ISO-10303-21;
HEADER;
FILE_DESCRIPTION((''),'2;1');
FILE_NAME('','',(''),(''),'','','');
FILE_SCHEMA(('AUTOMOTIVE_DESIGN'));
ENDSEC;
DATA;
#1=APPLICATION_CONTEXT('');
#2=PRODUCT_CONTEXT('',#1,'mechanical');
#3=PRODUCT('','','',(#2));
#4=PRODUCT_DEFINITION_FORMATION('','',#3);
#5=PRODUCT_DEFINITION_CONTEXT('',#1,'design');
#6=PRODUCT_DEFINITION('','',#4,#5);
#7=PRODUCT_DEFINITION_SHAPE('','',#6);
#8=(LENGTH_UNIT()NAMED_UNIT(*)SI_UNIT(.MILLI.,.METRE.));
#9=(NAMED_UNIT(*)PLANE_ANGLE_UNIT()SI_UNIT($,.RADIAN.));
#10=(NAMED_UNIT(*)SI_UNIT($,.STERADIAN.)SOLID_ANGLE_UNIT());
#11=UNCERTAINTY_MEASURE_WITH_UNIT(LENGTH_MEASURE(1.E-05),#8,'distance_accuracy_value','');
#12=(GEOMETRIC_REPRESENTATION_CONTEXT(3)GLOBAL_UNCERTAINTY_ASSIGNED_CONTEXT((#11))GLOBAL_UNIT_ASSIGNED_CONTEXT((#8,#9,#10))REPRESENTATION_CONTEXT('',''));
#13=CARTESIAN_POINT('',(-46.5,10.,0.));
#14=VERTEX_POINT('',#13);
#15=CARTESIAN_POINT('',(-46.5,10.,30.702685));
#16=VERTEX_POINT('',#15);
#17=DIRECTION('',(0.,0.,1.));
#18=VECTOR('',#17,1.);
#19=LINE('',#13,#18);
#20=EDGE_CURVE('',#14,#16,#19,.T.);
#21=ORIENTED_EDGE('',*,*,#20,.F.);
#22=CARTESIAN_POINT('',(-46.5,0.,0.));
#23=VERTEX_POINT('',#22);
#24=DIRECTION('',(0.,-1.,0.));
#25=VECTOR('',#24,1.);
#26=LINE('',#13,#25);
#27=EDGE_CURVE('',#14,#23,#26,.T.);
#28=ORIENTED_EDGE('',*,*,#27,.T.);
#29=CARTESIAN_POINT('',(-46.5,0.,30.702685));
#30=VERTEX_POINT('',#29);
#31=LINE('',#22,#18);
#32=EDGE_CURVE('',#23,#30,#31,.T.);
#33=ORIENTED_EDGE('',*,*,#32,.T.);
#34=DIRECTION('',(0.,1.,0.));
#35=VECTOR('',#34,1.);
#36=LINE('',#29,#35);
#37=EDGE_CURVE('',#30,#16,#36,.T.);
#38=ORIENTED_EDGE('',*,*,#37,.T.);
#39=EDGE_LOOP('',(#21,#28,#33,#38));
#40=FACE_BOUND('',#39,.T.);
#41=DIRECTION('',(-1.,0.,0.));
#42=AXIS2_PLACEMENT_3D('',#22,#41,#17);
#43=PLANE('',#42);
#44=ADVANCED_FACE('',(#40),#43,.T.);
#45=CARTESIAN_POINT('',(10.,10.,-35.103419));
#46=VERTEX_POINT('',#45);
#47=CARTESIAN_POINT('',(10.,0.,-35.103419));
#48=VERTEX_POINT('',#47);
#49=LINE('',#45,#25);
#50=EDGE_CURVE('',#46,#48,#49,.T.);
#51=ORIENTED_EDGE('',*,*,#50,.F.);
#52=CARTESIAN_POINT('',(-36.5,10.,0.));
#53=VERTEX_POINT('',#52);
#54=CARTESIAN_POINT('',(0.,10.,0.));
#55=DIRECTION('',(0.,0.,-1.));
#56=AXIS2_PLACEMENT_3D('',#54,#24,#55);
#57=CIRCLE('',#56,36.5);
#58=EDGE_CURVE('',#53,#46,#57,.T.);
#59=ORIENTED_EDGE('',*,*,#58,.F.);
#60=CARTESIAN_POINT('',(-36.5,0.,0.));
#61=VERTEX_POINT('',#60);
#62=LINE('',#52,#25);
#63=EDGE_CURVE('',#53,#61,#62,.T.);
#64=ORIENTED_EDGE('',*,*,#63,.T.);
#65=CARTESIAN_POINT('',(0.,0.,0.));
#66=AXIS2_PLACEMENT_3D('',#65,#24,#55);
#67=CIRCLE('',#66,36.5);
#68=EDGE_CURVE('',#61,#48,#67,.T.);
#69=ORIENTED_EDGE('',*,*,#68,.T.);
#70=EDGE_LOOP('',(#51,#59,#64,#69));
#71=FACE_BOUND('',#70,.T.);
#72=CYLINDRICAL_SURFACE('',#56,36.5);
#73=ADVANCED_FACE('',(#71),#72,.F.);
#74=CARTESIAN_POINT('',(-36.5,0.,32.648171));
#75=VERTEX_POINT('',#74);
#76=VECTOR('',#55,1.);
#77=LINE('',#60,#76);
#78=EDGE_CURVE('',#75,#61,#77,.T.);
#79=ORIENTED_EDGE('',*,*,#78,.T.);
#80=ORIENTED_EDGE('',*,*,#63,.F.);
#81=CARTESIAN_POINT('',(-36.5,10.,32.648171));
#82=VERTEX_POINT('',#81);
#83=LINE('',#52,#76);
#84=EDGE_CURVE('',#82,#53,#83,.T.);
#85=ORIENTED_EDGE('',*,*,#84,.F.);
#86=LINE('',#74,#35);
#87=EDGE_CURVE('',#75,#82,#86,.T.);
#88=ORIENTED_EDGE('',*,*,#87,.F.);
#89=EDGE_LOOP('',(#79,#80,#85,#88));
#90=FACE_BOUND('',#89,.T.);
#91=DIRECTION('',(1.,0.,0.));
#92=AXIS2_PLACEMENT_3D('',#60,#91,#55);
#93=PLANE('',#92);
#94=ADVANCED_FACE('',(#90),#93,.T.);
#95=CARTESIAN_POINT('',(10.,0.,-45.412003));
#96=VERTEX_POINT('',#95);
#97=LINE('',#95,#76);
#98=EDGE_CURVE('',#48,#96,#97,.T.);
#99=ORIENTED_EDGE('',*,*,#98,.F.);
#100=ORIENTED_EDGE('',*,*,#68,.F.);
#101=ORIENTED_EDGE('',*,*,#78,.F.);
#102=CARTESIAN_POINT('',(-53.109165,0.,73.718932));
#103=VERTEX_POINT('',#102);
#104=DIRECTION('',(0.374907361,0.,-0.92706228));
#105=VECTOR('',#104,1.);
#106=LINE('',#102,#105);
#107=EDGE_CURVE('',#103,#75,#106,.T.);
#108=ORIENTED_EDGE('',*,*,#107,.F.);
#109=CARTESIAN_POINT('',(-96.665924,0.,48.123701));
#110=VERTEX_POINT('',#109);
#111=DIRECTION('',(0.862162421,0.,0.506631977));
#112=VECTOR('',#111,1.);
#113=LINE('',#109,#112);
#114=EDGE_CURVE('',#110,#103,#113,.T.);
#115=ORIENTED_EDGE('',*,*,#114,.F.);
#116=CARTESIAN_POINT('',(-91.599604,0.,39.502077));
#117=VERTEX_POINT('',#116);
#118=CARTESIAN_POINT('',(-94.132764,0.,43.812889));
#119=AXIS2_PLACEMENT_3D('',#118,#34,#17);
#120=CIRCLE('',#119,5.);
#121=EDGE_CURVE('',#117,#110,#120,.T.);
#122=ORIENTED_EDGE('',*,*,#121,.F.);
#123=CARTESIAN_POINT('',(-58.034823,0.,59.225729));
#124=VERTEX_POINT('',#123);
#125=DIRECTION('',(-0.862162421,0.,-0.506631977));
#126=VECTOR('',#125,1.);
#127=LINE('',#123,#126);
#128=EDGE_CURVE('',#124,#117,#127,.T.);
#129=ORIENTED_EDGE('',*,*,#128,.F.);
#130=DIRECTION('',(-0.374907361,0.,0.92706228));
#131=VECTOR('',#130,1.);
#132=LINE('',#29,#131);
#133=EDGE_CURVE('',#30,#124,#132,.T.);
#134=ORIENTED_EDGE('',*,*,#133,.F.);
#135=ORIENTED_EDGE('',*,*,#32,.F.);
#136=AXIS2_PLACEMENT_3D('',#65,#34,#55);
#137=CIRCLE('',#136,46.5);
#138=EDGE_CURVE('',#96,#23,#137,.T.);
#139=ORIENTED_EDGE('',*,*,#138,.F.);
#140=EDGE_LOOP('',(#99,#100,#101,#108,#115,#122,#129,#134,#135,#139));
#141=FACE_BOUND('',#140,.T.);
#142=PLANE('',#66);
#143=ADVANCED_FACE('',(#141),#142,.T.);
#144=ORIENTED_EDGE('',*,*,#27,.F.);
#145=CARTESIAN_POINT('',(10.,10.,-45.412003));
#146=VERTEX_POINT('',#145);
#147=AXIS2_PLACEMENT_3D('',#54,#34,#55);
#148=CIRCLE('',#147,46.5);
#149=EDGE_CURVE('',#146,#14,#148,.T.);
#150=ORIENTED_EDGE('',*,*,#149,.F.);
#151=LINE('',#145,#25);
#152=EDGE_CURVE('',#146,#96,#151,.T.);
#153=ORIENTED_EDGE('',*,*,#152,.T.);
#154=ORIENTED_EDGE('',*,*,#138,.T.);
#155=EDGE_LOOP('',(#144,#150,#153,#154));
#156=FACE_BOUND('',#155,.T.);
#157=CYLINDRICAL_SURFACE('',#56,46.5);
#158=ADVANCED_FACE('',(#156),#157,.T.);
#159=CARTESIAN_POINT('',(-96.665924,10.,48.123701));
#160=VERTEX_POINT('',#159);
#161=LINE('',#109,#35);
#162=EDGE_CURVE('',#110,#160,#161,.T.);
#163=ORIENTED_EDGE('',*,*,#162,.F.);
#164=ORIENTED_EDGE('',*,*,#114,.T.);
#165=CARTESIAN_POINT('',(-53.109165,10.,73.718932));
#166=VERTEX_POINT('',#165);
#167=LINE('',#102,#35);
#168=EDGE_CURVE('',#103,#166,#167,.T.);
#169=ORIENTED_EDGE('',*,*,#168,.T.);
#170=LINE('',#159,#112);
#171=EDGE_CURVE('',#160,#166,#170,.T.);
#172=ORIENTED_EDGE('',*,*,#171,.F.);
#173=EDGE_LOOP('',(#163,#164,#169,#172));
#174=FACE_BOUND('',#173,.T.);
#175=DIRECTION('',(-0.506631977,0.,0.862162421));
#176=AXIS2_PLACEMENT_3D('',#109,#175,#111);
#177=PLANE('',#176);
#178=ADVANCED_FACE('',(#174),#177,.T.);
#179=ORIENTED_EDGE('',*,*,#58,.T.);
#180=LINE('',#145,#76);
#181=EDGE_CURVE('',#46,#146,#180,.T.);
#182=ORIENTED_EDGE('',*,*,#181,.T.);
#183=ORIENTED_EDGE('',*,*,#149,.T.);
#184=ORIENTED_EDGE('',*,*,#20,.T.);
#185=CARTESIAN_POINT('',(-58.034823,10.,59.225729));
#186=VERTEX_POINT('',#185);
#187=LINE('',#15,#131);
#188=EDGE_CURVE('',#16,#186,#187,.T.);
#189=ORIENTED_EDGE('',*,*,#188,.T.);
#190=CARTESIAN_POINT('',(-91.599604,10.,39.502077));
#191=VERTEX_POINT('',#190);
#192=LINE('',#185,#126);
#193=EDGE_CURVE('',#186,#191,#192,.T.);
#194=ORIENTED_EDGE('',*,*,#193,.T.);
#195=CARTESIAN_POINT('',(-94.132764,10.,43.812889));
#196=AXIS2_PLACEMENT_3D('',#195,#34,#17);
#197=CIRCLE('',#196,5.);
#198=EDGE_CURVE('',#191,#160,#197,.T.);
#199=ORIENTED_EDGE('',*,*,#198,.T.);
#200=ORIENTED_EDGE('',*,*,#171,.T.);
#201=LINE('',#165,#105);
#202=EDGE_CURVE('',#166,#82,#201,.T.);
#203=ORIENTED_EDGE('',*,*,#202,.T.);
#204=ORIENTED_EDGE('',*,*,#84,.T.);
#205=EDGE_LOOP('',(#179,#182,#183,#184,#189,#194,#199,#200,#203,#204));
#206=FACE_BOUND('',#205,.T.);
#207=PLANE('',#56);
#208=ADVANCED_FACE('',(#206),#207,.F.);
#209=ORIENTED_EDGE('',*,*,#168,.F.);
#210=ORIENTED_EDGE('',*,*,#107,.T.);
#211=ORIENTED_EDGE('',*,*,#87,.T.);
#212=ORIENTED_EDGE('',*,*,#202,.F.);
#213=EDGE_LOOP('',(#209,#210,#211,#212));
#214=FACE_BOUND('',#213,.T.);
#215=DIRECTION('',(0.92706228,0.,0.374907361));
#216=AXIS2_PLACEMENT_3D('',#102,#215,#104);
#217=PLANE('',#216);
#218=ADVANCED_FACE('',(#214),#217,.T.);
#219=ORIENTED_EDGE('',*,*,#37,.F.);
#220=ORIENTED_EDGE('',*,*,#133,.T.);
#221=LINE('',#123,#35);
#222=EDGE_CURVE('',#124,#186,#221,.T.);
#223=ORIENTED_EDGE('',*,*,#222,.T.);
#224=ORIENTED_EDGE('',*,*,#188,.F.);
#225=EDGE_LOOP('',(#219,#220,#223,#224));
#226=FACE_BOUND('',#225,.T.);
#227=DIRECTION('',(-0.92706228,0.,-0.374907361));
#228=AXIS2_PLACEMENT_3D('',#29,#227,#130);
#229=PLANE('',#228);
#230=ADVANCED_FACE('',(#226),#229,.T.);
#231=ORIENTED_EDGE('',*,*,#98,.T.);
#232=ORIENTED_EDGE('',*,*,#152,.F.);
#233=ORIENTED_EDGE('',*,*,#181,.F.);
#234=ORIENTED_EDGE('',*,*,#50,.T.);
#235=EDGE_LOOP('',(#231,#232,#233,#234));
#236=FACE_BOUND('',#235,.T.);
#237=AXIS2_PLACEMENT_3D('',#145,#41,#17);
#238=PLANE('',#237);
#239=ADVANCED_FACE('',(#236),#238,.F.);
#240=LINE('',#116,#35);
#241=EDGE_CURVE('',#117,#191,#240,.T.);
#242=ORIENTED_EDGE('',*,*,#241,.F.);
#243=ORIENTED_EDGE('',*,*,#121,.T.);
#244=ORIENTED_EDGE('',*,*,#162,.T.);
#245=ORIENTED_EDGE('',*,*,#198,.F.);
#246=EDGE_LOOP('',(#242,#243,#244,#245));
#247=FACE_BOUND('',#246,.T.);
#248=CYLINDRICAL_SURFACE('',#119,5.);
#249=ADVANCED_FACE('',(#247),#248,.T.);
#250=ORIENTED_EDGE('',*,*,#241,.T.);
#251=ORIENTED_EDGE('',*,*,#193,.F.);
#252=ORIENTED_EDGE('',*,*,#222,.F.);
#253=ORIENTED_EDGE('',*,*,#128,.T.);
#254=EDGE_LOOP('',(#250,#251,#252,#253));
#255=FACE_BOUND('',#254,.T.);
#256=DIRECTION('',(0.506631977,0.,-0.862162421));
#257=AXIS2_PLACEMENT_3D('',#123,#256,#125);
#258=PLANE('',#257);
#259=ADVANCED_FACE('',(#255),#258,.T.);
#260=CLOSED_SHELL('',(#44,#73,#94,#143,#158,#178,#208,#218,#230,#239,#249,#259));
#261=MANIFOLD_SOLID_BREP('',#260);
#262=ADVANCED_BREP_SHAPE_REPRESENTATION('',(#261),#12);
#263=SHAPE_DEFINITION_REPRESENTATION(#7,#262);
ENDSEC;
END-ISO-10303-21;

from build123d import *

# Parameters (mm, degrees)
BOSS_EXTRU_1_DEPTH = 10
BOSS_EXTRU_2_DEPTH = 10


with BuildPart() as part:
    # Esquisse1 → Boss.-Extru.1 (new body)
    with BuildSketch(Plane(origin=(0, 0, 0), x_dir=(1, 0, 0), z_dir=(0, 1, 0))):
        with BuildLine():
            Line((10, 45.412002819), (10, 35.103418637))
            ThreePointArc((10, 35.103418637), (-21.991475621, 29.131168875), (-36.5, 0))
            Line((-36.5, 0), (-46.5, 0))
            ThreePointArc((-46.5, 0), (-29.131168875, 36.243965015), (10, 45.412002819))
        make_face()
    extrude(amount=BOSS_EXTRU_1_DEPTH)

    # Esquisse4 → Boss.-Extru.2 (add)
    with BuildSketch(Plane(origin=(0, 10, 0), x_dir=(1, 0, 0), z_dir=(0, 1, 0))):
        with BuildLine():
            Line((-36.5, 0), (-46.5, 0))
            Line((-46.5, 0), (-46.5, -30.702684518))
            Line((-46.5, -30.702684518), (-58.034822919, -59.225728707))
            Line((-58.034822919, -59.225728707), (-91.599603917, -39.502076956))
            ThreePointArc((-91.599603917, -39.502076956), (-98.443575905, -41.279729178), (-96.665923684, -48.123701166))
            Line((-96.665923684, -48.123701166), (-53.109165443, -73.7189324))
            Line((-53.109165443, -73.7189324), (-36.5, -32.648170999))
            Line((-36.5, -32.648170999), (-36.5, 0))
        make_face()
    extrude(amount=-BOSS_EXTRU_2_DEPTH)


solid = part.part
